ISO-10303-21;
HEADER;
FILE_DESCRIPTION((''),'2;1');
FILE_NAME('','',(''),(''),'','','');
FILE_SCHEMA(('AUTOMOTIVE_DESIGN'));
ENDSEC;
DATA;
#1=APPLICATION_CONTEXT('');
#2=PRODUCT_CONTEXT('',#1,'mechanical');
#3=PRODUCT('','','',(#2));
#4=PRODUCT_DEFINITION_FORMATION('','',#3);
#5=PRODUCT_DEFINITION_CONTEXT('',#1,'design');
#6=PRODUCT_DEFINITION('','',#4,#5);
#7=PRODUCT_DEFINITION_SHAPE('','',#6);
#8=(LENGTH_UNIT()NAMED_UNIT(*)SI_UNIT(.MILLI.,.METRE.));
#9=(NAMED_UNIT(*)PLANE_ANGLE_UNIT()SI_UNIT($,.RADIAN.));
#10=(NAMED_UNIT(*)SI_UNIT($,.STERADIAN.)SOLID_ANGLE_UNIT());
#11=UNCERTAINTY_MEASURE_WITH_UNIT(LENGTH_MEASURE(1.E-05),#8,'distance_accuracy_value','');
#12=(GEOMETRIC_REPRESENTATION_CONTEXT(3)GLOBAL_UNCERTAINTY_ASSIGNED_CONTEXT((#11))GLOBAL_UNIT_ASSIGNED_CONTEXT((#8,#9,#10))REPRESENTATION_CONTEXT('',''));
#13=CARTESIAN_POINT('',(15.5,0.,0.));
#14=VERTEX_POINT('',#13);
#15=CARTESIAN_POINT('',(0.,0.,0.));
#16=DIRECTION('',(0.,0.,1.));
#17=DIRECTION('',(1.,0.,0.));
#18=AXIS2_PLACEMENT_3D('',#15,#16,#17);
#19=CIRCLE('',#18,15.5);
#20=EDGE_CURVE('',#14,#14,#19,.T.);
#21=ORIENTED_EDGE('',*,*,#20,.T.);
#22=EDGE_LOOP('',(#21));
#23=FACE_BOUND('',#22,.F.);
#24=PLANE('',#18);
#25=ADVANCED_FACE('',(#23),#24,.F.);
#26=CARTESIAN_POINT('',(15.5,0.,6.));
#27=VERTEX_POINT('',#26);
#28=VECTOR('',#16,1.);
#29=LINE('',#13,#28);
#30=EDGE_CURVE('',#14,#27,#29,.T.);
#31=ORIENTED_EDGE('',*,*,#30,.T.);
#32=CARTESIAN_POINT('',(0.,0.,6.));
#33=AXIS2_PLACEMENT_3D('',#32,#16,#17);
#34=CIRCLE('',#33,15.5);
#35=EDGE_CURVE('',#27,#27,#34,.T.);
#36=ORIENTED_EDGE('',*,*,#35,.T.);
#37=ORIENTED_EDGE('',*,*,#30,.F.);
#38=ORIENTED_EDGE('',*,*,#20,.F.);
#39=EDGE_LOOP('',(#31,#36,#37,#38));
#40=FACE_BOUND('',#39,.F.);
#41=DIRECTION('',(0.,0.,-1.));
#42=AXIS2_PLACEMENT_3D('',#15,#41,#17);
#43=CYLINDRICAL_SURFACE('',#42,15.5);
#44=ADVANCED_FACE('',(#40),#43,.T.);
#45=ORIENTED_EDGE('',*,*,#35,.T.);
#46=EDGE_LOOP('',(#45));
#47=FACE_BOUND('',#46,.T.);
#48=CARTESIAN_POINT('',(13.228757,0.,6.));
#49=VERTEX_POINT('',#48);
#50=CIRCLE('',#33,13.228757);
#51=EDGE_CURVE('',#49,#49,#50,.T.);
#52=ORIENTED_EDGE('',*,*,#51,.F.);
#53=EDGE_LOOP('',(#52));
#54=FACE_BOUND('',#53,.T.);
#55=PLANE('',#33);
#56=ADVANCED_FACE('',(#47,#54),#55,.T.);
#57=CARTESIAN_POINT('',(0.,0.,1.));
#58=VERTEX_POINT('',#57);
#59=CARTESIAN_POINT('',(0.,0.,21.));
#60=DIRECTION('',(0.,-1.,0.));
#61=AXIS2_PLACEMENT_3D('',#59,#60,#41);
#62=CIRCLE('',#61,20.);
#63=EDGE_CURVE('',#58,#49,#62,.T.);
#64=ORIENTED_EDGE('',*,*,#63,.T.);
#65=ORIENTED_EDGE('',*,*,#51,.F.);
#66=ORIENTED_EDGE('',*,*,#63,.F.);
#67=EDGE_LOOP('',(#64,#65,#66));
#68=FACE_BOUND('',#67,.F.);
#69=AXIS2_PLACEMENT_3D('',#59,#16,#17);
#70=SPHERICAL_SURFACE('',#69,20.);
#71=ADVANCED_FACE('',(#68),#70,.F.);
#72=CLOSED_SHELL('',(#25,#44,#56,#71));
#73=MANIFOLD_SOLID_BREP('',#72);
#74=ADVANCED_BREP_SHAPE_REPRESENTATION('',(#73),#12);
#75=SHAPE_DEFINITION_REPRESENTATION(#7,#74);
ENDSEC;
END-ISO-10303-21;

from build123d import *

# Parameters (mm, degrees)
SKETCH_R  = 15.5
PAD_DEPTH = 6


with BuildPart() as sphere:
    # Sphere → Sphere (revolve)
    with BuildSketch(Plane(origin=(0, 0, 21), x_dir=(1, 0, 0), z_dir=(0, -1, 0))):
        with BuildLine():
            ThreePointArc((0, -20), (20, 0), (0, 20))
            Line((0, 20), (0, -20))
        make_face()
    revolve(axis=Axis((0, 0, 21), (0, 0, 1)))


with BuildPart() as cut:
    # Sketch → Pad (new body)
    with BuildSketch(Plane.XY):
        Circle(SKETCH_R)
    extrude(amount=PAD_DEPTH)

    # Cut: cut Sphere
    add(sphere.part, mode=Mode.SUBTRACT)


solid = cut.part
